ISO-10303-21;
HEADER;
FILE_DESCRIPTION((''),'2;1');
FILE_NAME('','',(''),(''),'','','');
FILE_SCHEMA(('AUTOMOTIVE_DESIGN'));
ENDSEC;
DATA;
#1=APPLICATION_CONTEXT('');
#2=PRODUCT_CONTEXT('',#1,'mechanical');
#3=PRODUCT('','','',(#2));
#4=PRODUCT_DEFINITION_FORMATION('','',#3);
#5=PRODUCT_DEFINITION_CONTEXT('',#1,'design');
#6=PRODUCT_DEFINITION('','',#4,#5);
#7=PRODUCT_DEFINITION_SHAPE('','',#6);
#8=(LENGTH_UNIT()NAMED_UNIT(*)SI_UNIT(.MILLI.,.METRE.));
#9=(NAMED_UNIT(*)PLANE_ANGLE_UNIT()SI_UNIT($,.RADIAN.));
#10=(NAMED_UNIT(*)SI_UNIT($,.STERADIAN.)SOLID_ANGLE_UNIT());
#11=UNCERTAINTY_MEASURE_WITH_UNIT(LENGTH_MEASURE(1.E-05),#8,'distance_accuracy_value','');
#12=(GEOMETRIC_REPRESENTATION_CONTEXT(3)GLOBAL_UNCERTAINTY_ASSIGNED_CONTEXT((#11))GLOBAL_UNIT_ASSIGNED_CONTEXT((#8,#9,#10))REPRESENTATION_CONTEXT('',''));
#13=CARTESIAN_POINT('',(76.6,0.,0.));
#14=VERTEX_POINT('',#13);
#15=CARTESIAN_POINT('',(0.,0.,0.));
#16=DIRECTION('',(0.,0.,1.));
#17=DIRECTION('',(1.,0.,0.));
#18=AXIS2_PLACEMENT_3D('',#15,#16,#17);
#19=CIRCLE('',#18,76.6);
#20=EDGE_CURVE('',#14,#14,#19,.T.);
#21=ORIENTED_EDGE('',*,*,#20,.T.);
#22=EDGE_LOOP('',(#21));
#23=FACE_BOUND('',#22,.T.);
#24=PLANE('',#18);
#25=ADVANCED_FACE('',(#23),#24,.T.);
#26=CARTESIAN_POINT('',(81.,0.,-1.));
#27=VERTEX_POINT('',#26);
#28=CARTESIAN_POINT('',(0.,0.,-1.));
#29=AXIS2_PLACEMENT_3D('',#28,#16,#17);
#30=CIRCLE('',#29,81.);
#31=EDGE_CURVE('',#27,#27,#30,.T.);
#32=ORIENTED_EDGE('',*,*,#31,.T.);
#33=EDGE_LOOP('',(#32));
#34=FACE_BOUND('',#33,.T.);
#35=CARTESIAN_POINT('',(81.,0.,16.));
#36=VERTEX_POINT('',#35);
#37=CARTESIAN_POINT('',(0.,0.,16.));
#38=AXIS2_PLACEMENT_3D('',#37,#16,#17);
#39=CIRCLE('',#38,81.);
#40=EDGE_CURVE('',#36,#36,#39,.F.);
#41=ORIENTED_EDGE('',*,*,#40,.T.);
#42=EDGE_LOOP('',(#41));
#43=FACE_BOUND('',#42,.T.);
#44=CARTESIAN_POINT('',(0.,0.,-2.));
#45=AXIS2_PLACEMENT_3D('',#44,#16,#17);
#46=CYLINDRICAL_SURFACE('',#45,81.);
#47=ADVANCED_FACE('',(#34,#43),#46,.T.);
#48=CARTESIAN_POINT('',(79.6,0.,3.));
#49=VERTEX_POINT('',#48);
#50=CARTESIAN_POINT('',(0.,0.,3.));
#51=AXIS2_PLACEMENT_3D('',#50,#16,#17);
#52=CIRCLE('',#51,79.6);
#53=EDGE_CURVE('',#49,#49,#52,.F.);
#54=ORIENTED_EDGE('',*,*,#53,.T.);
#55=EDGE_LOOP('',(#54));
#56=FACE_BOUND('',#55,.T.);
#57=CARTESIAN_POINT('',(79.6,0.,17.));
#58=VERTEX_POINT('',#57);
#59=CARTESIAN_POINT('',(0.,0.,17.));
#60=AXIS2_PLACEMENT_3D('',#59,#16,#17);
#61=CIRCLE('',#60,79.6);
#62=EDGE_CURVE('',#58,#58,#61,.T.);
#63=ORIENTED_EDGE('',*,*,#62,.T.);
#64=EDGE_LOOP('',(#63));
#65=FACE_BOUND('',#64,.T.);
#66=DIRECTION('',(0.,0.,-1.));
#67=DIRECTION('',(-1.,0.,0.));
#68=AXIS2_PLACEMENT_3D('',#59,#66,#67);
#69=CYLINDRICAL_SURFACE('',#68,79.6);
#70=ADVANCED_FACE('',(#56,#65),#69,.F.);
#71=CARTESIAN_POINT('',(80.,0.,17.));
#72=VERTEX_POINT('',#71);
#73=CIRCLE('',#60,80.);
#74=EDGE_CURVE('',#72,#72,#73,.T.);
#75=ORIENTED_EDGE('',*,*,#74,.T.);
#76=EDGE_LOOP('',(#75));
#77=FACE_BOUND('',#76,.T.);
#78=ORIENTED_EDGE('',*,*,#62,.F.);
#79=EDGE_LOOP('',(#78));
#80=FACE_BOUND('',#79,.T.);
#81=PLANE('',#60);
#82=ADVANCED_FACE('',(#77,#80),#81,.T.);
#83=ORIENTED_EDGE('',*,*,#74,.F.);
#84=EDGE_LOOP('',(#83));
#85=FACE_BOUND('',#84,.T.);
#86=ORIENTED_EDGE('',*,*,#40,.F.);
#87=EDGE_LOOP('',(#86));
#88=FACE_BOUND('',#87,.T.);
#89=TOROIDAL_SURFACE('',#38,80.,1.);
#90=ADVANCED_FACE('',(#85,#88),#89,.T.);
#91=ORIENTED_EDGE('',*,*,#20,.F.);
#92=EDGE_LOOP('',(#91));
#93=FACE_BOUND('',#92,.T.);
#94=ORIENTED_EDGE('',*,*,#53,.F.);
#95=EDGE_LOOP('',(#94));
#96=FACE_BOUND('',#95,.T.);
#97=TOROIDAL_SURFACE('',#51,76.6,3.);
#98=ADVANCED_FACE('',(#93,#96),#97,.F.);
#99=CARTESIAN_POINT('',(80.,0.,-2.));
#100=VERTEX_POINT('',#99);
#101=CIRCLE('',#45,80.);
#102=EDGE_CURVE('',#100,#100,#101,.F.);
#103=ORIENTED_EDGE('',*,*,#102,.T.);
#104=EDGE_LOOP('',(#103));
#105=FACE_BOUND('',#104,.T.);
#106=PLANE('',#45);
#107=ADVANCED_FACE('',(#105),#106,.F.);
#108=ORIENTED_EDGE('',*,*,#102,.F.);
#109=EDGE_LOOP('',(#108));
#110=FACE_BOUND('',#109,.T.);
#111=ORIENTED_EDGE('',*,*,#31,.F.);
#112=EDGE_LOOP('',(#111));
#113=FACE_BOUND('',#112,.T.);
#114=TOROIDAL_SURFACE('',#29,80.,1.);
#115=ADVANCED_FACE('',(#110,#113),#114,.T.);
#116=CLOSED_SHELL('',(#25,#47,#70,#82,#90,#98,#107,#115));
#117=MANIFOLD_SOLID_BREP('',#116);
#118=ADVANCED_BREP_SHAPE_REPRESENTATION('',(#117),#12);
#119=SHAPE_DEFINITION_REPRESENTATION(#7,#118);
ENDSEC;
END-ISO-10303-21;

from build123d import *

# Parameters (mm, degrees)
SKETCH1_R           = 81
BOSS_EXTRUDE1_DEPTH = 2
BOSS_EXTRUDE2_START = 17
SKETCH1_3_R         = 81
SKETCH1_3_R_2       = 79.6
BOSS_EXTRUDE2_DEPTH = 17
FILLET3_R           = 1
FILLET4_R           = 1
FILLET5_R           = 3


with BuildPart() as part:
    # Sketch1 → Boss-Extrude1 (new body)
    with BuildSketch(Plane.XY):
        Circle(SKETCH1_R)
    extrude(amount=-BOSS_EXTRUDE1_DEPTH)

    # Sketch1<3> → Boss-Extrude2 (add)
    with BuildSketch(Plane.XY.offset(BOSS_EXTRUDE2_START)):
        Circle(SKETCH1_3_R)
        Circle(SKETCH1_3_R_2, mode=Mode.SUBTRACT)
    extrude(amount=-BOSS_EXTRUDE2_DEPTH)

    # Fillet3
    fillet3_edges = [part.edges().sort_by_distance(p)[0] for p in [
        (-81, 0, -2),
    ]]
    fillet(fillet3_edges, radius=FILLET3_R)

    # Fillet4
    fillet4_edges = [part.edges().sort_by_distance(p)[0] for p in [
        (-81, 0, 17),
    ]]
    fillet(fillet4_edges, radius=FILLET4_R)

    # Fillet5
    fillet5_edges = [part.edges().sort_by_distance(p)[0] for p in [
        (-79.6, 0, 0),
    ]]
    fillet(fillet5_edges, radius=FILLET5_R)


solid = part.part
